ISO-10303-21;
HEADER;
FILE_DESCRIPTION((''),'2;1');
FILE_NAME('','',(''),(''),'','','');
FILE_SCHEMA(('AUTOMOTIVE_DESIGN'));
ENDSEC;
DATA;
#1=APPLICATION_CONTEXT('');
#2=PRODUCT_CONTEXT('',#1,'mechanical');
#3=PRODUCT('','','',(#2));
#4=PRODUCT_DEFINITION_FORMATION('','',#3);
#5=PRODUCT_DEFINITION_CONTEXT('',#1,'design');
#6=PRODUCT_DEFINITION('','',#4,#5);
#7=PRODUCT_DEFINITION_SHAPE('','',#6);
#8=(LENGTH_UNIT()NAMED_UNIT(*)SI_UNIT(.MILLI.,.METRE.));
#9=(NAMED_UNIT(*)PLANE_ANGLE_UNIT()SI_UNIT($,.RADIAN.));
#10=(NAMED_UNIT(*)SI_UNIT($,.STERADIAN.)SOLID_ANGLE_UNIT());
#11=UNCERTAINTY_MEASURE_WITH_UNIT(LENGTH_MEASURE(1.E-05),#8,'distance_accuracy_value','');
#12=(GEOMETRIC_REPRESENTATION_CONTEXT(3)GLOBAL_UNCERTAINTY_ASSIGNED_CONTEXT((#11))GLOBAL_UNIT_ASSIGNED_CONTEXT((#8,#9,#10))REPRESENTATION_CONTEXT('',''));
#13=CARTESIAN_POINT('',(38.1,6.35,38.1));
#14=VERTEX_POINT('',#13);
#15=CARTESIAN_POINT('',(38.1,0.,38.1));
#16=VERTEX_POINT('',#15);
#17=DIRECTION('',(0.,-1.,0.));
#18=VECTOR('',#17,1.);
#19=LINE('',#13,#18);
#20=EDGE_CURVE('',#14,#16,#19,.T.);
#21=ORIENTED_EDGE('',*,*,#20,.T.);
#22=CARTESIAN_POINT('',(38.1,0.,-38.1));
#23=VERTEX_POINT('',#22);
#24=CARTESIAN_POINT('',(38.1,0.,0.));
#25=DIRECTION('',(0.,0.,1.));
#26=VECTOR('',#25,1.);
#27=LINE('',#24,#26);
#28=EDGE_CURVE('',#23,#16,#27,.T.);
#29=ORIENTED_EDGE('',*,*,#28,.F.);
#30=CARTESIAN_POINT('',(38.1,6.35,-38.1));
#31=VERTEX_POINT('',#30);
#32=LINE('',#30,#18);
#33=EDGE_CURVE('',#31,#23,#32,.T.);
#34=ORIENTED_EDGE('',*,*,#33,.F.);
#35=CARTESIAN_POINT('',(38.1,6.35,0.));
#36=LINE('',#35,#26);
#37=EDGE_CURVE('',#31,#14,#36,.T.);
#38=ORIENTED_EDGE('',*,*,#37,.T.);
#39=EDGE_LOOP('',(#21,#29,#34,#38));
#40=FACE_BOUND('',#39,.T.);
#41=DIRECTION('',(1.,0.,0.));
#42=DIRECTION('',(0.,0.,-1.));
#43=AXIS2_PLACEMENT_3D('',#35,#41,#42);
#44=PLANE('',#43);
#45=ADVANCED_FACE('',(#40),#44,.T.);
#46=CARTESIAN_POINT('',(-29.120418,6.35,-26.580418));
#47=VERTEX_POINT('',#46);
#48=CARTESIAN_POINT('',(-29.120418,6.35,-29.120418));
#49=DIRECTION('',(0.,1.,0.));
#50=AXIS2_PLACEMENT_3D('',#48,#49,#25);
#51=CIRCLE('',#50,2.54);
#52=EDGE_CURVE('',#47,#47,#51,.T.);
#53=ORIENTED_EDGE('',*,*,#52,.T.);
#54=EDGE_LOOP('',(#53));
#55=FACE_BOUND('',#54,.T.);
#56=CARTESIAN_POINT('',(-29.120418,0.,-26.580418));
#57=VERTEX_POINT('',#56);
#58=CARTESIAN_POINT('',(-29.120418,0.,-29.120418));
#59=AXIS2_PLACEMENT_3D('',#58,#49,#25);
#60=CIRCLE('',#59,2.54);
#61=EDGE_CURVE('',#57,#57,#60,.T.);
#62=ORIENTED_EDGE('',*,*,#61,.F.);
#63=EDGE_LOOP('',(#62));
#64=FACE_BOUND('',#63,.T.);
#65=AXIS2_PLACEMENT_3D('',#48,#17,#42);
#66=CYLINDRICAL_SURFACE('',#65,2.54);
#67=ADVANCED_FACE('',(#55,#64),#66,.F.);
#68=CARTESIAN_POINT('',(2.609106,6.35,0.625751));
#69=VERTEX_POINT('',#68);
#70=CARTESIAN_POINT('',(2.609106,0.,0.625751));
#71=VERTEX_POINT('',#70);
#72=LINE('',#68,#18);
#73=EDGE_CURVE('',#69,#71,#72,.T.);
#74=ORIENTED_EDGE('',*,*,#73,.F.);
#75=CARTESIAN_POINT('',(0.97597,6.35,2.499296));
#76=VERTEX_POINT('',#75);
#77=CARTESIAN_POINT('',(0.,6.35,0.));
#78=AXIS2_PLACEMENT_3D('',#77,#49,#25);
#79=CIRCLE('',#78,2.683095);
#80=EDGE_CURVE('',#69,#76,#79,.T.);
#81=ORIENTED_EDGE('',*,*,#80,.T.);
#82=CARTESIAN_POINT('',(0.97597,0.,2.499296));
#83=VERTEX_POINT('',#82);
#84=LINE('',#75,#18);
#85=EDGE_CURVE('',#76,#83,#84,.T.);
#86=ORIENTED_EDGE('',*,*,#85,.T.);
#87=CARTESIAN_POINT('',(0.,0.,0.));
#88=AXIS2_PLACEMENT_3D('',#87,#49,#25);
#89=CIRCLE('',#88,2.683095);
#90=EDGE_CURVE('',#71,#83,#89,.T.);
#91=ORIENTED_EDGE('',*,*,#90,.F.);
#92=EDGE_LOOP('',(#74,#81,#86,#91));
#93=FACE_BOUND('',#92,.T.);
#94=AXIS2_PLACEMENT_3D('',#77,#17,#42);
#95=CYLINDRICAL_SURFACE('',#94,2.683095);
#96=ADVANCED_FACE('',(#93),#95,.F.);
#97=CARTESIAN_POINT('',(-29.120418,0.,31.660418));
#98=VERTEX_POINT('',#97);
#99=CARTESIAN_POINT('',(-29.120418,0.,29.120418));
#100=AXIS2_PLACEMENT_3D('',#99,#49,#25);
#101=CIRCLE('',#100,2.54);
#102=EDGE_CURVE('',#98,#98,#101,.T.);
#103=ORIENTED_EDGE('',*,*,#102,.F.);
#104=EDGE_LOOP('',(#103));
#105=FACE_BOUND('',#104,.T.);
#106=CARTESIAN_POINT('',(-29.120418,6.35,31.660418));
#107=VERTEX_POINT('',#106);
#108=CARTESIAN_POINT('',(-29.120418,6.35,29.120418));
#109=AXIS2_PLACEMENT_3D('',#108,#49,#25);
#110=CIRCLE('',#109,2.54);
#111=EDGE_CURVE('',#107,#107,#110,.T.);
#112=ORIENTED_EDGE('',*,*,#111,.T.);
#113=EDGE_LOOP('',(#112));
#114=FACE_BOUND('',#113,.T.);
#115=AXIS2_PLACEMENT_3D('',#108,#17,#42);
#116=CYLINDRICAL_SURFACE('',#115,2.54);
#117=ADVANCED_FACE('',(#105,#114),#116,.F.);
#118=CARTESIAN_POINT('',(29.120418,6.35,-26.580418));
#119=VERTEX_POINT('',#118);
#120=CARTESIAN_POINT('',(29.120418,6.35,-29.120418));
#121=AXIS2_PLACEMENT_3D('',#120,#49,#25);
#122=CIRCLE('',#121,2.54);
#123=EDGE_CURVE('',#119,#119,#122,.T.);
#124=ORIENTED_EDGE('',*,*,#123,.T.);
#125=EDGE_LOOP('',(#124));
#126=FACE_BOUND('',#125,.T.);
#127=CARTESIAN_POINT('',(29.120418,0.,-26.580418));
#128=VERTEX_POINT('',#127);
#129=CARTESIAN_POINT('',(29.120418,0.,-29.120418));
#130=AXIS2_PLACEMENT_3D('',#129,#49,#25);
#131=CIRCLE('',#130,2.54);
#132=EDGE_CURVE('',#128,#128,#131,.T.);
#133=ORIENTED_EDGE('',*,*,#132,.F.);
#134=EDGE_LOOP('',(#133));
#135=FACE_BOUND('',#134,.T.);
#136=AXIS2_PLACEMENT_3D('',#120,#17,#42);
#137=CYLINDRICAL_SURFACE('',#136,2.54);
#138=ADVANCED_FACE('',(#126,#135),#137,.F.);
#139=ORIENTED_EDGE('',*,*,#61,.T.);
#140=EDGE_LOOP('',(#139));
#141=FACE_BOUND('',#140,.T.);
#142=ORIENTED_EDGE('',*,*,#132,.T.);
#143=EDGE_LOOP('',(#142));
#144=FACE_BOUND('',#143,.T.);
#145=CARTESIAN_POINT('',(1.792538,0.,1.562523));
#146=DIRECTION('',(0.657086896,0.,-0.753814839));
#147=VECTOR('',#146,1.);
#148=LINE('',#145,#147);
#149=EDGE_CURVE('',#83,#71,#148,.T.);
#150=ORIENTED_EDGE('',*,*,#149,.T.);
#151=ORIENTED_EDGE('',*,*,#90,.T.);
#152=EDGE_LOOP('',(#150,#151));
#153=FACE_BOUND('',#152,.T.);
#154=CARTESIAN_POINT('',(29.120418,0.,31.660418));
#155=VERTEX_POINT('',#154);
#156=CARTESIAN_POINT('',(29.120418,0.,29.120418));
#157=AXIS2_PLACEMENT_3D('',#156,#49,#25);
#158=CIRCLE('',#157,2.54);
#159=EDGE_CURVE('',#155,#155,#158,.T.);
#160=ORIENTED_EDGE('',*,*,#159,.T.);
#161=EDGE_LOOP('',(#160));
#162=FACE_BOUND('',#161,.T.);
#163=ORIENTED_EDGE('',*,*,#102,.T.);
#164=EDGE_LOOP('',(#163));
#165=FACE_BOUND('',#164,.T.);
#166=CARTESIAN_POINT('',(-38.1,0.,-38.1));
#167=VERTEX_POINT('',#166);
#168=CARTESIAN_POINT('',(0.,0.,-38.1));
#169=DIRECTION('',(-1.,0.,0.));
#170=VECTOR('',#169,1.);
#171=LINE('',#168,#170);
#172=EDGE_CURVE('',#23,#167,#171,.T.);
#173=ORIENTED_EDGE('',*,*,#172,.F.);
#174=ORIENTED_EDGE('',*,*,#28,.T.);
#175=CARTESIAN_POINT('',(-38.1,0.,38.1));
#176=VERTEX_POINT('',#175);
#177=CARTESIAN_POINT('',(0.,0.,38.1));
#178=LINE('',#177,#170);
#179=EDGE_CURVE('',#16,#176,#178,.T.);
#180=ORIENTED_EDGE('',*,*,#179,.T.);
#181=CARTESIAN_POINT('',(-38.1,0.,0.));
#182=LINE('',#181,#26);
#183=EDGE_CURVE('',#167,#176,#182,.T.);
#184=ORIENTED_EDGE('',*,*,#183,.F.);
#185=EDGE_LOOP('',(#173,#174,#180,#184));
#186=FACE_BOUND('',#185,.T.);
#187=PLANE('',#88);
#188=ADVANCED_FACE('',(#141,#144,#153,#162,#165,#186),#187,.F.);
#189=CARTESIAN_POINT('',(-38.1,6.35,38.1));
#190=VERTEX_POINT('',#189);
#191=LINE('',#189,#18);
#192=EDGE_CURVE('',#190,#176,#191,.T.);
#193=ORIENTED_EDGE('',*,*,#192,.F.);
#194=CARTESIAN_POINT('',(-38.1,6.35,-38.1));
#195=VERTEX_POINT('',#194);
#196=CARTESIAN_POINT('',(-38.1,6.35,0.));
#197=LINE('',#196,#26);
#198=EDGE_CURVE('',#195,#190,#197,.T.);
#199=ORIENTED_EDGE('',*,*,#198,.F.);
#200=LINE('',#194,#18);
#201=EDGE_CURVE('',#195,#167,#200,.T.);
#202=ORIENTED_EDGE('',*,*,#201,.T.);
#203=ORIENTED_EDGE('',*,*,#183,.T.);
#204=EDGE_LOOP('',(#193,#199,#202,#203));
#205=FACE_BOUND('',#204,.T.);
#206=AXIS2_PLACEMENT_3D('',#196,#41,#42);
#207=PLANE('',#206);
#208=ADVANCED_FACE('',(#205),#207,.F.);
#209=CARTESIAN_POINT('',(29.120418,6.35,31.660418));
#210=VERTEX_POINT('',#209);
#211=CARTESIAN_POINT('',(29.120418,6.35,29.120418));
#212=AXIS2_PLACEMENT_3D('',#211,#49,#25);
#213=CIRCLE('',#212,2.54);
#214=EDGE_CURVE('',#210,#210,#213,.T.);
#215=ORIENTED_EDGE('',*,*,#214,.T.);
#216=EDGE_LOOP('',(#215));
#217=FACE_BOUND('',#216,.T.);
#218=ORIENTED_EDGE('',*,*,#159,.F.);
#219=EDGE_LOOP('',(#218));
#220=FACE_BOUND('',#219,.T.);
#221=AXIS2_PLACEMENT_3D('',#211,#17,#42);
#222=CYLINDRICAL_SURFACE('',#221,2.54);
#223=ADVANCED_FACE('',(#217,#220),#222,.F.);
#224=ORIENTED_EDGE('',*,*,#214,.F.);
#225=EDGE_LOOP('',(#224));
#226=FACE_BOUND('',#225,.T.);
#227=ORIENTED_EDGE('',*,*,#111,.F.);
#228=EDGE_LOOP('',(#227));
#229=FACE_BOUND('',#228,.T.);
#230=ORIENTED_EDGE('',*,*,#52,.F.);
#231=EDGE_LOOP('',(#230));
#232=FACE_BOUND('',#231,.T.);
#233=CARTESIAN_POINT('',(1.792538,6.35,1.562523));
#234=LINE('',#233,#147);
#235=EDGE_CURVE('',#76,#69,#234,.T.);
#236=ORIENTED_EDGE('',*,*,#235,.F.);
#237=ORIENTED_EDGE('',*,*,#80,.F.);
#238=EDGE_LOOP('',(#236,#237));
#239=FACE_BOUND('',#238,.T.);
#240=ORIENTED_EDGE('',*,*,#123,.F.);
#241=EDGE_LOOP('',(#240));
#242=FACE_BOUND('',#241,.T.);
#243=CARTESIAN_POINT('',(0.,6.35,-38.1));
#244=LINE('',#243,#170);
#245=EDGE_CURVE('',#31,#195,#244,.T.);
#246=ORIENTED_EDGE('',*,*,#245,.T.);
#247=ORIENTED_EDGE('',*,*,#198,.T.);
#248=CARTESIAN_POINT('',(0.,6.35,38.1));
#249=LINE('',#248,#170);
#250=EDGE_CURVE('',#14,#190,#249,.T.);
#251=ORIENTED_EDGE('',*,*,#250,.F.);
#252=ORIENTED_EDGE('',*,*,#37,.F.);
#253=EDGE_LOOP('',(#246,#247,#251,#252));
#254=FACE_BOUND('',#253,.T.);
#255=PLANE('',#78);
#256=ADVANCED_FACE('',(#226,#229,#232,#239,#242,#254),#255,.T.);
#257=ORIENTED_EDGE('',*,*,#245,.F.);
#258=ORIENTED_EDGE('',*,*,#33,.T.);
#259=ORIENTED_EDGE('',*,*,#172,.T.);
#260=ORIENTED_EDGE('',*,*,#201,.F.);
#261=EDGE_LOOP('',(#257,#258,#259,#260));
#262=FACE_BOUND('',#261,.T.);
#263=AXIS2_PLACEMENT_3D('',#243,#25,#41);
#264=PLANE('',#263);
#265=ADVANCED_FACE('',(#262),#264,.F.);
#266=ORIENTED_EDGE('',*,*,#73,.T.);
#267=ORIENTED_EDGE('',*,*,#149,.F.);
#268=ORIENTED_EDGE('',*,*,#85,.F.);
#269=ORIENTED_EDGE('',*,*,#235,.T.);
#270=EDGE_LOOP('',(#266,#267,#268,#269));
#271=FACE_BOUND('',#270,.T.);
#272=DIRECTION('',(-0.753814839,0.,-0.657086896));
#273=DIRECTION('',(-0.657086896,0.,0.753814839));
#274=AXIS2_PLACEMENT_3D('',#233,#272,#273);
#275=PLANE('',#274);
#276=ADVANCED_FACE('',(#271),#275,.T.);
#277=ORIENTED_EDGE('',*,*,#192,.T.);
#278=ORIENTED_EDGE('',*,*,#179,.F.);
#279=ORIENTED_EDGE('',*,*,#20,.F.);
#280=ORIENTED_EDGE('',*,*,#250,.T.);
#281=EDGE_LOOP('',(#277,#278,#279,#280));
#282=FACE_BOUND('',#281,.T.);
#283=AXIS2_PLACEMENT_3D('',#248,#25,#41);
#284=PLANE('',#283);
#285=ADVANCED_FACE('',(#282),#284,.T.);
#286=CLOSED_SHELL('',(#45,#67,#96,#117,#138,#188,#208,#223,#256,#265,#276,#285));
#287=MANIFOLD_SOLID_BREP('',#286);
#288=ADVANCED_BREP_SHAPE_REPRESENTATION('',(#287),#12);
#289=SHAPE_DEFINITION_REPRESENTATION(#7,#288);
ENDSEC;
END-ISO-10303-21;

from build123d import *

# Parameters (mm, degrees)
SKETCH1_W           = 76.2
SKETCH1_H           = 76.2
SKETCH1_R           = 2.54
BOSS_EXTRUDE1_DEPTH = 6.35


with BuildPart() as part:
    # Sketch1 → Boss-Extrude1 (new body)
    with BuildSketch(Plane(origin=(0, 0, 0), x_dir=(1, 0, 0), z_dir=(0, 1, 0))):
        Rectangle(SKETCH1_W, SKETCH1_H)
        with BuildLine():
            Line((2.609105575, -0.625751054), (0.975970434, -2.4992955))
            ThreePointArc((0.975970434, -2.4992955), (-2.022556476, 1.763026259), (2.609105575, -0.625751054))
        make_face(mode=Mode.SUBTRACT)
        with Locations(Location((-29.120418144, -29.120418144, 0), (0, 0, 270))):
            Circle(SKETCH1_R, mode=Mode.SUBTRACT)
        with Locations(Location((29.120418144, 29.120418144, 0), (0, 0, 270))):
            Circle(SKETCH1_R, mode=Mode.SUBTRACT)
        with Locations(Location((29.120418144, -29.120418144, 0), (0, 0, 270))):
            Circle(SKETCH1_R, mode=Mode.SUBTRACT)
        with Locations(Location((-29.120418144, 29.120418144, 0), (0, 0, 270))):
            Circle(SKETCH1_R, mode=Mode.SUBTRACT)
    extrude(amount=BOSS_EXTRUDE1_DEPTH)


solid = part.part
